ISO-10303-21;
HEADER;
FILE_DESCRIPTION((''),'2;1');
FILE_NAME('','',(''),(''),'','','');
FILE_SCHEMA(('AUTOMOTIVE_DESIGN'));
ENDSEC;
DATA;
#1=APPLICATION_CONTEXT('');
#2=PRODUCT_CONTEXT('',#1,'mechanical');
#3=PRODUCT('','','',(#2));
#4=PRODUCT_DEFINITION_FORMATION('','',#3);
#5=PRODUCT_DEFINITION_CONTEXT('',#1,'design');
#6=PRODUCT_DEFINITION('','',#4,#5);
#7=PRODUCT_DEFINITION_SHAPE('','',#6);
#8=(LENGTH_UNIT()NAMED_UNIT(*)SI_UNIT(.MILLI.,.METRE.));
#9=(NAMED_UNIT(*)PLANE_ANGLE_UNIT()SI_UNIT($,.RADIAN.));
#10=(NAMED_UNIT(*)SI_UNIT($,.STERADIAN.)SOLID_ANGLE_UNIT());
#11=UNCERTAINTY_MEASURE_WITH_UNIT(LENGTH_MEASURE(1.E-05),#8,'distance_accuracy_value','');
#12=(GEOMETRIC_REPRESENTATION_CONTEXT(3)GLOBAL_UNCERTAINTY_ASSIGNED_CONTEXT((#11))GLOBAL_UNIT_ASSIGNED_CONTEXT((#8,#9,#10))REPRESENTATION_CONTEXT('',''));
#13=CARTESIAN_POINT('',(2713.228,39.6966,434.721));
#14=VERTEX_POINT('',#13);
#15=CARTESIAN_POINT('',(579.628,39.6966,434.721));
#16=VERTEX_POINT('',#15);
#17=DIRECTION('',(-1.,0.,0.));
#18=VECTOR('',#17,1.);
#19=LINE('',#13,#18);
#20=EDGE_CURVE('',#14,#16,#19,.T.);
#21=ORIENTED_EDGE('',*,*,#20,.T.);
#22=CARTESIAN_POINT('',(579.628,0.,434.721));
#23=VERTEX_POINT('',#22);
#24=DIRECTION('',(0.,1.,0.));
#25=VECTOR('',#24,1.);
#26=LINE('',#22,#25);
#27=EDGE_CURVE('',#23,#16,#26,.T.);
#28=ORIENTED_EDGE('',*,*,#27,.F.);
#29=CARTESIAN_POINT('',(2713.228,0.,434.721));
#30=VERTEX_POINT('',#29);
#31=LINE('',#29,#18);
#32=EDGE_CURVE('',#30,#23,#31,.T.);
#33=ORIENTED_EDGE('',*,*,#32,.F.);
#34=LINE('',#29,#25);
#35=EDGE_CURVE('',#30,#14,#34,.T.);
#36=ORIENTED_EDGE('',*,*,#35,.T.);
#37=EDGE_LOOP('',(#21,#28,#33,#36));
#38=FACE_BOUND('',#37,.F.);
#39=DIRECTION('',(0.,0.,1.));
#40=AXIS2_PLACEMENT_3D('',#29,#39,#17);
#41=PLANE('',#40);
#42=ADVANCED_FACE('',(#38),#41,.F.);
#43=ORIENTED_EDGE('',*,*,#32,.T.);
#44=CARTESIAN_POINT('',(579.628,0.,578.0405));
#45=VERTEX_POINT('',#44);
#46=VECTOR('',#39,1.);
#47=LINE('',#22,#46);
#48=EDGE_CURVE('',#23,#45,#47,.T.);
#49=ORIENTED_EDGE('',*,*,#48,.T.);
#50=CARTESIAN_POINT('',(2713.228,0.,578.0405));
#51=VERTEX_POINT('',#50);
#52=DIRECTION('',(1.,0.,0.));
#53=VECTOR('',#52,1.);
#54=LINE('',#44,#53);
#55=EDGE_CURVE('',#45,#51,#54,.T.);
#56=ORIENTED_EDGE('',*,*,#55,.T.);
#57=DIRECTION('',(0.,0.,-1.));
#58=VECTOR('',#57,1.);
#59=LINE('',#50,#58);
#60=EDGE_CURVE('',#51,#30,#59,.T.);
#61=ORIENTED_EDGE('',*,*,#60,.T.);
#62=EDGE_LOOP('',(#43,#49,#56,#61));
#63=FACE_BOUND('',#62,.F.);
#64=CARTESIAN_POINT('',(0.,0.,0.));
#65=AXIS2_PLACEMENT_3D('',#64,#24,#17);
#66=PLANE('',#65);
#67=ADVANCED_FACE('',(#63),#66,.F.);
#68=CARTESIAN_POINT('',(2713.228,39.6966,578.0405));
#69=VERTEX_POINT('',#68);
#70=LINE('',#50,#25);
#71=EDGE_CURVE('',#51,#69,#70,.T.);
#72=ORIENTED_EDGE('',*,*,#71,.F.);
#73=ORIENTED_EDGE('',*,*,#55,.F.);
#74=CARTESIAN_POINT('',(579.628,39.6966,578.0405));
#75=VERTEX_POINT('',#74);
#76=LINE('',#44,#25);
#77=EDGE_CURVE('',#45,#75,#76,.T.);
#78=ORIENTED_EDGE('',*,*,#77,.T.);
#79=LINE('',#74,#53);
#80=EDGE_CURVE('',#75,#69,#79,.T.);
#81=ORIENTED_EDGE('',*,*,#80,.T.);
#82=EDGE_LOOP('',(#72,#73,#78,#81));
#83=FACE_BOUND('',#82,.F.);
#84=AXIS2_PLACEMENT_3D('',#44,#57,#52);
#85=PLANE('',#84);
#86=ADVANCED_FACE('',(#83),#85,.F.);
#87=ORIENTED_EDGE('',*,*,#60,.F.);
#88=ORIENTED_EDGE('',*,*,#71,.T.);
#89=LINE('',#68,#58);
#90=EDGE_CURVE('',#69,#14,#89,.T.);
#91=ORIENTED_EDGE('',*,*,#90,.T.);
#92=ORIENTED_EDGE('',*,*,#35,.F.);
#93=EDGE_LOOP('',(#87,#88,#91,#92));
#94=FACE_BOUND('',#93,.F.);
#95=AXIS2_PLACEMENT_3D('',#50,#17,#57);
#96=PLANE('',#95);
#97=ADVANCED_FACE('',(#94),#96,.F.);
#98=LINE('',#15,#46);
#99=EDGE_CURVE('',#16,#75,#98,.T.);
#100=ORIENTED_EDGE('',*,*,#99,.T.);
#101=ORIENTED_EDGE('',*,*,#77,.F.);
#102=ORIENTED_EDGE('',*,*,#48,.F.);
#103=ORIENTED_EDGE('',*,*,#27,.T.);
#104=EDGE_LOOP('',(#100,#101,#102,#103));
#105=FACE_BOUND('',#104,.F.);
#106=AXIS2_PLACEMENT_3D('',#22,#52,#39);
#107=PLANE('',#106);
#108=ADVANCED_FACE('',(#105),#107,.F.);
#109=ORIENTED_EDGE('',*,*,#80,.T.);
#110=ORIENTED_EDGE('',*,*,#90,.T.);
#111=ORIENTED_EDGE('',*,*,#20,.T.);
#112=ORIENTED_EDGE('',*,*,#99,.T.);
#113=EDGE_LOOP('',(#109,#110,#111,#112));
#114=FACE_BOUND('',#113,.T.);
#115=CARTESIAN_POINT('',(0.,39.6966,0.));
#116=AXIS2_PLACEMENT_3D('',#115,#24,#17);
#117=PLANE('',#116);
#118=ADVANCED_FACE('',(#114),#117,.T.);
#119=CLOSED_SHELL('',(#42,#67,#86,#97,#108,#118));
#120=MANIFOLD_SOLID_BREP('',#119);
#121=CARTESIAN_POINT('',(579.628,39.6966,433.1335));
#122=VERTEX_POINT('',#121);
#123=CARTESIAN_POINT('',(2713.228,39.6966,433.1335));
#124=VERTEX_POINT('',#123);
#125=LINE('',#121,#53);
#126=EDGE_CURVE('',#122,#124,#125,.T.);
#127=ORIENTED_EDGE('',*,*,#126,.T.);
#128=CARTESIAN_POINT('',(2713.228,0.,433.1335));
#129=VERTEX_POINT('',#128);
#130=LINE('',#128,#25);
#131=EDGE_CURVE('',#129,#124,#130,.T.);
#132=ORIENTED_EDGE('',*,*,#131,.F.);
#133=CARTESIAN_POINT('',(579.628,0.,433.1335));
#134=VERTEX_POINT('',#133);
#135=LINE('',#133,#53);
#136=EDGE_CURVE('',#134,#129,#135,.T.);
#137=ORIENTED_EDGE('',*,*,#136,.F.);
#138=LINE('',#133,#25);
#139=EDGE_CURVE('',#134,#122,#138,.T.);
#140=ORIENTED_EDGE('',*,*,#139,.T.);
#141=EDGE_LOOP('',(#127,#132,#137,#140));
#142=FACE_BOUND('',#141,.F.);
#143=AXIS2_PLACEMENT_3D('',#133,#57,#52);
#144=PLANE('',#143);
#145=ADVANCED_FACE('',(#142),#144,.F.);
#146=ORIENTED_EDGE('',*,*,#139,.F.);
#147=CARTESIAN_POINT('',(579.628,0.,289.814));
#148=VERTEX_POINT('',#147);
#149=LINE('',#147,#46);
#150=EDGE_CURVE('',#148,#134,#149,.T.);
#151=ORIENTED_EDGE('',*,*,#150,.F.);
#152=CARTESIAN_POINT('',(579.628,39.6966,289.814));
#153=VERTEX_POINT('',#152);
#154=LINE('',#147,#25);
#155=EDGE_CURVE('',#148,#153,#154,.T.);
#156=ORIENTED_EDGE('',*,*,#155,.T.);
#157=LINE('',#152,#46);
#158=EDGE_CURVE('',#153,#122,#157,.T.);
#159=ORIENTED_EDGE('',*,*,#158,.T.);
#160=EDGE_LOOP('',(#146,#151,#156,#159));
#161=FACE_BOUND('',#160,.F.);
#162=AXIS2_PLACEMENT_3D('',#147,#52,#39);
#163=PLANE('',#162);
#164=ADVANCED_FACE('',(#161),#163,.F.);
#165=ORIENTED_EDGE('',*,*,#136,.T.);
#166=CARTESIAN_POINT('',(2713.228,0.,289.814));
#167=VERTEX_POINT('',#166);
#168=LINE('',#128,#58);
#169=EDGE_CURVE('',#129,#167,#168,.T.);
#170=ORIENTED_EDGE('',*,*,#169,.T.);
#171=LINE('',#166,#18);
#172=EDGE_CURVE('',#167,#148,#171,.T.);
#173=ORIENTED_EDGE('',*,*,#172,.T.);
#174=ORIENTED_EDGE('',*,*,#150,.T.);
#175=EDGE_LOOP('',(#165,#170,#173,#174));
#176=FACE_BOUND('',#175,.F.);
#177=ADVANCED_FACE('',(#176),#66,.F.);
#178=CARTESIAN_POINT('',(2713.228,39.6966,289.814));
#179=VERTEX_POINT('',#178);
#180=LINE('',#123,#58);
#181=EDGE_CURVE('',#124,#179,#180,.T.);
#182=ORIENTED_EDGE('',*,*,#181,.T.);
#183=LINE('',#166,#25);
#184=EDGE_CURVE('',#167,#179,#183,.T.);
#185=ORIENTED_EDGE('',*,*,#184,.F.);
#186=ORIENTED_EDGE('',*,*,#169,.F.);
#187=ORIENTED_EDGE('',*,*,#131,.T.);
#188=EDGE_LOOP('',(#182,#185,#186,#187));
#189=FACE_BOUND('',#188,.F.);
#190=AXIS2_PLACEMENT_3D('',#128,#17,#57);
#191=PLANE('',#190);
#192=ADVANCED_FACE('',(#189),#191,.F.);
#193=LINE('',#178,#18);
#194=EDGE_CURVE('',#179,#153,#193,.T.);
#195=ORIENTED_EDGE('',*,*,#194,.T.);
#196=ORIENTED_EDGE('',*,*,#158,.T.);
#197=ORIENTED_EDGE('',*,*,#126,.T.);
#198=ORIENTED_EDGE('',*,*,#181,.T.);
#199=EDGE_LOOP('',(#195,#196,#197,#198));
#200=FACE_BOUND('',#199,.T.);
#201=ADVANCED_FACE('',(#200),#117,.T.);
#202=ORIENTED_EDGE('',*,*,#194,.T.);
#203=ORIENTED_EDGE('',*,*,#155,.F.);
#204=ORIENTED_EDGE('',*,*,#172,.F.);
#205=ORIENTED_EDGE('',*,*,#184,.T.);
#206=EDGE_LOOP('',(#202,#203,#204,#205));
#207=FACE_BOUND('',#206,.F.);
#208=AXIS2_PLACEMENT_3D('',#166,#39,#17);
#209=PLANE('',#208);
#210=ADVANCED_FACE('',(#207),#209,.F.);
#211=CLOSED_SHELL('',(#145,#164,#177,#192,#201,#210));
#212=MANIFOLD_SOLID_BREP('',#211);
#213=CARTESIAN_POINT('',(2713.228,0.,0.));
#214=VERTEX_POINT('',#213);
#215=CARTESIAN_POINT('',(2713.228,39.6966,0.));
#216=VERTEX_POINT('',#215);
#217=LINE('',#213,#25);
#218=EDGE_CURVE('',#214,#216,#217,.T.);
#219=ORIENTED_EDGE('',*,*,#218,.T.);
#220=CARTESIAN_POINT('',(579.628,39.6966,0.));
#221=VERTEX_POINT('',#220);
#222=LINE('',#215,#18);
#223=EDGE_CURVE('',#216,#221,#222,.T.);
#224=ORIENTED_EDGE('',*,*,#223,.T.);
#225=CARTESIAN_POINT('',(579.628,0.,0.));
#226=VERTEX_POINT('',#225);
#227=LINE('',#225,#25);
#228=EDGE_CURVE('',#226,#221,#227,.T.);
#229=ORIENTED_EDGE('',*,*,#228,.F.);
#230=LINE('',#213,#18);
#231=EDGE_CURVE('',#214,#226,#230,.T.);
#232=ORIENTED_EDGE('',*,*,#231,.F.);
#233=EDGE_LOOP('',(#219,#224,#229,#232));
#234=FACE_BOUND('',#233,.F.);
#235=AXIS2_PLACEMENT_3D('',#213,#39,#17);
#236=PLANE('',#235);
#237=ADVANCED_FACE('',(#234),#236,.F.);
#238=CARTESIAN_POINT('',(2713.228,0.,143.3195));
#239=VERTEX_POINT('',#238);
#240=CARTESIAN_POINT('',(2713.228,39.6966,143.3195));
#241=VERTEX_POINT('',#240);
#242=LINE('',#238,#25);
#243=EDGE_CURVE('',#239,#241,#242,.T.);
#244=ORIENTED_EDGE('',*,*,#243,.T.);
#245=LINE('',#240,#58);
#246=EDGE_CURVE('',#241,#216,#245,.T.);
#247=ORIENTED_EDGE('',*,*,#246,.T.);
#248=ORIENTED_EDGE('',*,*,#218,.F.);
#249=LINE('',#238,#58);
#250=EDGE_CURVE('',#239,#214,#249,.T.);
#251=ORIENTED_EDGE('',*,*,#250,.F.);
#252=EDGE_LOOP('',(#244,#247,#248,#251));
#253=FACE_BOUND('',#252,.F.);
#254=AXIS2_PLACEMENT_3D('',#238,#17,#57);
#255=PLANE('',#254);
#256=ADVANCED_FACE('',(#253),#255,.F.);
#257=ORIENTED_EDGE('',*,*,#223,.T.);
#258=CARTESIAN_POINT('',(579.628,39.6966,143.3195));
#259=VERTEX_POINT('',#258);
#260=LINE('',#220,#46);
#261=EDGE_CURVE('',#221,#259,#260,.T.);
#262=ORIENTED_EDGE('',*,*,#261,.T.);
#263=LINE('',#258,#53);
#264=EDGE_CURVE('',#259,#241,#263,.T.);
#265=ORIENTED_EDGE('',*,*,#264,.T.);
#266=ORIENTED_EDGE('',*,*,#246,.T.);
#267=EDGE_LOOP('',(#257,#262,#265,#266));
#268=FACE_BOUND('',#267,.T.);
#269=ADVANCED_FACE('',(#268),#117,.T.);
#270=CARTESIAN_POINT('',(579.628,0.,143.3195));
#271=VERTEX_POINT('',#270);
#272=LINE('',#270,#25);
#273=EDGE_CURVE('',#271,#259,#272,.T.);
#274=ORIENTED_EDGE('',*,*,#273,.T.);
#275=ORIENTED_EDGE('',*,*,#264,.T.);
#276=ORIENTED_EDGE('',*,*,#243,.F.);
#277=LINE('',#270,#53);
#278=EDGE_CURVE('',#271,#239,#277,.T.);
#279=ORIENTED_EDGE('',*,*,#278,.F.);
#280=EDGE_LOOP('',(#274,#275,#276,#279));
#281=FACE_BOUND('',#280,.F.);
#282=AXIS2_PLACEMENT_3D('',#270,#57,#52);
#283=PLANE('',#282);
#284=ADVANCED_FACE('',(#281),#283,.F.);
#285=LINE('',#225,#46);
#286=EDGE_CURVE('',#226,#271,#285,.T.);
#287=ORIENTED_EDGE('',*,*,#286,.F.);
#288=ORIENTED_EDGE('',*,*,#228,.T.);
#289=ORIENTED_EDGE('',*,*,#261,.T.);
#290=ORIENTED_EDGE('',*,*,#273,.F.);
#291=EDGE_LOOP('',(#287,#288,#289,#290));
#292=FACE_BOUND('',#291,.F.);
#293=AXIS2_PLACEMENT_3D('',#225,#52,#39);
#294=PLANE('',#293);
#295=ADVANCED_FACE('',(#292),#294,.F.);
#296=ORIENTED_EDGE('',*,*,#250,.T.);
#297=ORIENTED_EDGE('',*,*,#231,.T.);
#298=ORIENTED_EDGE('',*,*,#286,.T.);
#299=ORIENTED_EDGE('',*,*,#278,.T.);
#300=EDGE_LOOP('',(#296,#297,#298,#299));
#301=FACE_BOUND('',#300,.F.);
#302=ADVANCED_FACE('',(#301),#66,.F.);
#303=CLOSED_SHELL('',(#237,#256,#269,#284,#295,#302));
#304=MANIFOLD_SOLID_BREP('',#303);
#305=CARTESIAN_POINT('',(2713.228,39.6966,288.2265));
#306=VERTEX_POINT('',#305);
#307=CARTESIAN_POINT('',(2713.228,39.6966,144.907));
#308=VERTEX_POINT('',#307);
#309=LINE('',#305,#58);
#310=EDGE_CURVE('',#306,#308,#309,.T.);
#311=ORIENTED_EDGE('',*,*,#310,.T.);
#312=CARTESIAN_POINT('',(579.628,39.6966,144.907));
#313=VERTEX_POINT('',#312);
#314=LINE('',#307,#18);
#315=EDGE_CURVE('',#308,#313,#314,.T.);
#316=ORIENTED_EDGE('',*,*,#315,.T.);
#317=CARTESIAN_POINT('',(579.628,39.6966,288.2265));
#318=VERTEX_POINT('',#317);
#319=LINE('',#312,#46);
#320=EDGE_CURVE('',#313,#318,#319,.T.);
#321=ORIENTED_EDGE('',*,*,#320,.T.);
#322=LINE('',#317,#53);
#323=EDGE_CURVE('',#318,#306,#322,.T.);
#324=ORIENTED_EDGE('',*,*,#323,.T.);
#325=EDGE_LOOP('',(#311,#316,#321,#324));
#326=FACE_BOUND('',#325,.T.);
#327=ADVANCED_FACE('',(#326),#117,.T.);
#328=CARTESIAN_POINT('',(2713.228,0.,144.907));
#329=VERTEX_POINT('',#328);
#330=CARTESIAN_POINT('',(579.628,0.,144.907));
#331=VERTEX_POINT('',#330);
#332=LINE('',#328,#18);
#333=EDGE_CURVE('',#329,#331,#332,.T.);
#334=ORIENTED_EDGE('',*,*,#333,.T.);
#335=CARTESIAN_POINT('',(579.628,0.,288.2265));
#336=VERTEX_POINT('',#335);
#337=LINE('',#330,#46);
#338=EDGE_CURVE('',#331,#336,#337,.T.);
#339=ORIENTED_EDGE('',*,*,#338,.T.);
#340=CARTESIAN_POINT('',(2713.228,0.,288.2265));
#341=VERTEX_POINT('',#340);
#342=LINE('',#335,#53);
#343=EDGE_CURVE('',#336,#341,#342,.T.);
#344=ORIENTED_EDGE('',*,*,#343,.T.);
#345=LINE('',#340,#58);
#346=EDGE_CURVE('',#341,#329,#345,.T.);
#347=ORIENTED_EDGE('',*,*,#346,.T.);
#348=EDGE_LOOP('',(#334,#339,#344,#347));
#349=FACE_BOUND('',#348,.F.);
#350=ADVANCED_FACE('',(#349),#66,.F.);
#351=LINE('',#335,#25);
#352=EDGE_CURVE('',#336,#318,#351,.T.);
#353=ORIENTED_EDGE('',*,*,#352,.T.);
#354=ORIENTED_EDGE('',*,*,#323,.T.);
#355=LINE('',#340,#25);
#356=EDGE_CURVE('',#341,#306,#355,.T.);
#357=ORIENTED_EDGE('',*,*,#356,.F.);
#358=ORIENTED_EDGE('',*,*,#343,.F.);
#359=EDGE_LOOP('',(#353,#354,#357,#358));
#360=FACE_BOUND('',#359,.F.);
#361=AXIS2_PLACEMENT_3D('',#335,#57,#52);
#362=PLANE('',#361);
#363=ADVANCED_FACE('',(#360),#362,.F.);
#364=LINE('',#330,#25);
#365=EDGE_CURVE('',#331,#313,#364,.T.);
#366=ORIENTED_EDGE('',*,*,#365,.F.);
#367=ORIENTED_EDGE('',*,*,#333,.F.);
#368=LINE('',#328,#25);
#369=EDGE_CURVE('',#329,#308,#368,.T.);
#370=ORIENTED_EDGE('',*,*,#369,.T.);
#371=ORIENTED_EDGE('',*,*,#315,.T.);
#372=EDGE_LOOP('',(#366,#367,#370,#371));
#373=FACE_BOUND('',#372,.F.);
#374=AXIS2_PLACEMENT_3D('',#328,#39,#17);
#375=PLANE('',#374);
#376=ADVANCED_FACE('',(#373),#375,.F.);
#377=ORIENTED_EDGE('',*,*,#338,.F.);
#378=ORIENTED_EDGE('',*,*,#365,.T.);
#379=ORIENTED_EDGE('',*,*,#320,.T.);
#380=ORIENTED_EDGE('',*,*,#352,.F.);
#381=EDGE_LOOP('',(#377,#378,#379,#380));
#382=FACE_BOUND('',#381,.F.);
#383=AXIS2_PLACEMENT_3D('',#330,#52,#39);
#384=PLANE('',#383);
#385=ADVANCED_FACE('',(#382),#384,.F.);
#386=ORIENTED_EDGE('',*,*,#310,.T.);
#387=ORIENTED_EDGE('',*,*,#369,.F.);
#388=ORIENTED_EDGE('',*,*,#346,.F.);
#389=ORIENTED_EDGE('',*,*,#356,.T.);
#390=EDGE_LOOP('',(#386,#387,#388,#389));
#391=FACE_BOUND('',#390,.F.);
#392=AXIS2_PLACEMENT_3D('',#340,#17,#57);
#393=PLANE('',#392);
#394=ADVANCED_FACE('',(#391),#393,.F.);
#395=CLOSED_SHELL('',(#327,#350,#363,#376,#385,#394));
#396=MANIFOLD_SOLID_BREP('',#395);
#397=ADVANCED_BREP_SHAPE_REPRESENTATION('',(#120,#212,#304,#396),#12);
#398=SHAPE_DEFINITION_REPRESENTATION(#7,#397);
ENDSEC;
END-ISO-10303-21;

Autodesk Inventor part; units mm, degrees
ref_plane "YZ Plane" through (0, 0, 0) normal (1, 0, 0) x (0, 1, 0)
ref_plane "XZ Plane" through (0, 0, 0) normal (0, 1, 0) x (-1, 0, 0)
ref_plane "XY Plane" through (0, 0, 0) normal (0, 0, 1) x (1, 0, 0)
sketch "Ideal" plane through (0, 0, 0) normal (0, 1, 0) x (-1, 0, 0)
  line L0 (0, 0) -> (-2438.4, 0)
  line L1 (-2438.4, 0) -> (-2438.4, 609.6)
  line L2 (-2438.4, 609.6) -> (-609.6, 609.6)
  line L3 (-609.6, 609.6) -> (-609.6, 1219.2)
  line L4 (-609.6, 1219.2) -> (0, 1219.2)
  line L5 (0, 1219.2) -> (0, 0)
  dimension "d0" = 2438.4
  dimension "d1" = 1219.2
  dimension "d2" = 609.6
  dimension "d3" = 609.6
  dimension "d4" = 1828.8
sketch "Primary Top" plane through (0, 0, 0) normal (0, 1, 0) x (-1, 0, 0)
  line L0 (-2713.228, 0) -> (-579.628, 0)
  line L1 (-579.628, 0) -> (-579.628, 143.3195)
  line L2 (-579.628, 143.3195) -> (-2713.228, 143.3195)
  line L3 (-2713.228, 143.3195) -> (-2713.228, 0)
  line L4 (-2713.228, 144.907) -> (-579.628, 144.907)
  line L5 (-579.628, 144.907) -> (-579.628, 288.2265)
  line L6 (-579.628, 288.2265) -> (-2713.228, 288.2265)
  line L7 (-2713.228, 288.2265) -> (-2713.228, 144.907)
  line L8 (-2713.228, 289.814) -> (-579.628, 289.814)
  line L9 (-579.628, 289.814) -> (-579.628, 433.1335)
  line L10 (-579.628, 433.1335) -> (-2713.228, 433.1335)
  line L11 (-2713.228, 433.1335) -> (-2713.228, 289.814)
  line L12 (-2713.228, 434.721) -> (-579.628, 434.721)
  line L13 (-579.628, 434.721) -> (-579.628, 578.0405)
  line L14 (-579.628, 578.0405) -> (-2713.228, 578.0405)
  line L15 (-2713.228, 578.0405) -> (-2713.228, 434.721)
  point P0 (0, 0)
  dimension "d5" = 143.3195
  dimension "d6" = 143.3195
  dimension "d7" = 143.3195
  dimension "d8" = 143.3195
  dimension "d9" = 2133.6
  dimension "d11" = 1.5875
  dimension "d12" = 1.5875
  dimension "d13" = 1.5875
  dimension "d17" = 579.628
extrude "Extrusion1" add sketch "Primary Top" along normal blind 39.6966
equation "\"d5\" = w_2x6"
equation "\"d6\" = d5"
equation "\"d7\" = d5"
equation "\"d8\" = d5"
equation "\"d11\" = plank_tol"
equation "\"d12\" = plank_tol"
equation "\"d13\" = plank_tol"
equation "\"d17\" = 4 * w_2x6 + 4 * plank_tol"
equation "\"d14\" = h_2x6"
equation "\"l_2x4\" = 2438.4"
equation "\"w_2x4\" = 91.059"
equation "\"h_2x4\" = 39.69657"
equation "\"l_2x6\" = 2438.4"
equation "\"w_2x6\" = 143.3195"
equation "\"h_2x6\" = h_2x4"
equation "\"plank_tol\" = 1.5875"
properties part number "Desk Top Primary" material "Wood (Birch - Stained)"
